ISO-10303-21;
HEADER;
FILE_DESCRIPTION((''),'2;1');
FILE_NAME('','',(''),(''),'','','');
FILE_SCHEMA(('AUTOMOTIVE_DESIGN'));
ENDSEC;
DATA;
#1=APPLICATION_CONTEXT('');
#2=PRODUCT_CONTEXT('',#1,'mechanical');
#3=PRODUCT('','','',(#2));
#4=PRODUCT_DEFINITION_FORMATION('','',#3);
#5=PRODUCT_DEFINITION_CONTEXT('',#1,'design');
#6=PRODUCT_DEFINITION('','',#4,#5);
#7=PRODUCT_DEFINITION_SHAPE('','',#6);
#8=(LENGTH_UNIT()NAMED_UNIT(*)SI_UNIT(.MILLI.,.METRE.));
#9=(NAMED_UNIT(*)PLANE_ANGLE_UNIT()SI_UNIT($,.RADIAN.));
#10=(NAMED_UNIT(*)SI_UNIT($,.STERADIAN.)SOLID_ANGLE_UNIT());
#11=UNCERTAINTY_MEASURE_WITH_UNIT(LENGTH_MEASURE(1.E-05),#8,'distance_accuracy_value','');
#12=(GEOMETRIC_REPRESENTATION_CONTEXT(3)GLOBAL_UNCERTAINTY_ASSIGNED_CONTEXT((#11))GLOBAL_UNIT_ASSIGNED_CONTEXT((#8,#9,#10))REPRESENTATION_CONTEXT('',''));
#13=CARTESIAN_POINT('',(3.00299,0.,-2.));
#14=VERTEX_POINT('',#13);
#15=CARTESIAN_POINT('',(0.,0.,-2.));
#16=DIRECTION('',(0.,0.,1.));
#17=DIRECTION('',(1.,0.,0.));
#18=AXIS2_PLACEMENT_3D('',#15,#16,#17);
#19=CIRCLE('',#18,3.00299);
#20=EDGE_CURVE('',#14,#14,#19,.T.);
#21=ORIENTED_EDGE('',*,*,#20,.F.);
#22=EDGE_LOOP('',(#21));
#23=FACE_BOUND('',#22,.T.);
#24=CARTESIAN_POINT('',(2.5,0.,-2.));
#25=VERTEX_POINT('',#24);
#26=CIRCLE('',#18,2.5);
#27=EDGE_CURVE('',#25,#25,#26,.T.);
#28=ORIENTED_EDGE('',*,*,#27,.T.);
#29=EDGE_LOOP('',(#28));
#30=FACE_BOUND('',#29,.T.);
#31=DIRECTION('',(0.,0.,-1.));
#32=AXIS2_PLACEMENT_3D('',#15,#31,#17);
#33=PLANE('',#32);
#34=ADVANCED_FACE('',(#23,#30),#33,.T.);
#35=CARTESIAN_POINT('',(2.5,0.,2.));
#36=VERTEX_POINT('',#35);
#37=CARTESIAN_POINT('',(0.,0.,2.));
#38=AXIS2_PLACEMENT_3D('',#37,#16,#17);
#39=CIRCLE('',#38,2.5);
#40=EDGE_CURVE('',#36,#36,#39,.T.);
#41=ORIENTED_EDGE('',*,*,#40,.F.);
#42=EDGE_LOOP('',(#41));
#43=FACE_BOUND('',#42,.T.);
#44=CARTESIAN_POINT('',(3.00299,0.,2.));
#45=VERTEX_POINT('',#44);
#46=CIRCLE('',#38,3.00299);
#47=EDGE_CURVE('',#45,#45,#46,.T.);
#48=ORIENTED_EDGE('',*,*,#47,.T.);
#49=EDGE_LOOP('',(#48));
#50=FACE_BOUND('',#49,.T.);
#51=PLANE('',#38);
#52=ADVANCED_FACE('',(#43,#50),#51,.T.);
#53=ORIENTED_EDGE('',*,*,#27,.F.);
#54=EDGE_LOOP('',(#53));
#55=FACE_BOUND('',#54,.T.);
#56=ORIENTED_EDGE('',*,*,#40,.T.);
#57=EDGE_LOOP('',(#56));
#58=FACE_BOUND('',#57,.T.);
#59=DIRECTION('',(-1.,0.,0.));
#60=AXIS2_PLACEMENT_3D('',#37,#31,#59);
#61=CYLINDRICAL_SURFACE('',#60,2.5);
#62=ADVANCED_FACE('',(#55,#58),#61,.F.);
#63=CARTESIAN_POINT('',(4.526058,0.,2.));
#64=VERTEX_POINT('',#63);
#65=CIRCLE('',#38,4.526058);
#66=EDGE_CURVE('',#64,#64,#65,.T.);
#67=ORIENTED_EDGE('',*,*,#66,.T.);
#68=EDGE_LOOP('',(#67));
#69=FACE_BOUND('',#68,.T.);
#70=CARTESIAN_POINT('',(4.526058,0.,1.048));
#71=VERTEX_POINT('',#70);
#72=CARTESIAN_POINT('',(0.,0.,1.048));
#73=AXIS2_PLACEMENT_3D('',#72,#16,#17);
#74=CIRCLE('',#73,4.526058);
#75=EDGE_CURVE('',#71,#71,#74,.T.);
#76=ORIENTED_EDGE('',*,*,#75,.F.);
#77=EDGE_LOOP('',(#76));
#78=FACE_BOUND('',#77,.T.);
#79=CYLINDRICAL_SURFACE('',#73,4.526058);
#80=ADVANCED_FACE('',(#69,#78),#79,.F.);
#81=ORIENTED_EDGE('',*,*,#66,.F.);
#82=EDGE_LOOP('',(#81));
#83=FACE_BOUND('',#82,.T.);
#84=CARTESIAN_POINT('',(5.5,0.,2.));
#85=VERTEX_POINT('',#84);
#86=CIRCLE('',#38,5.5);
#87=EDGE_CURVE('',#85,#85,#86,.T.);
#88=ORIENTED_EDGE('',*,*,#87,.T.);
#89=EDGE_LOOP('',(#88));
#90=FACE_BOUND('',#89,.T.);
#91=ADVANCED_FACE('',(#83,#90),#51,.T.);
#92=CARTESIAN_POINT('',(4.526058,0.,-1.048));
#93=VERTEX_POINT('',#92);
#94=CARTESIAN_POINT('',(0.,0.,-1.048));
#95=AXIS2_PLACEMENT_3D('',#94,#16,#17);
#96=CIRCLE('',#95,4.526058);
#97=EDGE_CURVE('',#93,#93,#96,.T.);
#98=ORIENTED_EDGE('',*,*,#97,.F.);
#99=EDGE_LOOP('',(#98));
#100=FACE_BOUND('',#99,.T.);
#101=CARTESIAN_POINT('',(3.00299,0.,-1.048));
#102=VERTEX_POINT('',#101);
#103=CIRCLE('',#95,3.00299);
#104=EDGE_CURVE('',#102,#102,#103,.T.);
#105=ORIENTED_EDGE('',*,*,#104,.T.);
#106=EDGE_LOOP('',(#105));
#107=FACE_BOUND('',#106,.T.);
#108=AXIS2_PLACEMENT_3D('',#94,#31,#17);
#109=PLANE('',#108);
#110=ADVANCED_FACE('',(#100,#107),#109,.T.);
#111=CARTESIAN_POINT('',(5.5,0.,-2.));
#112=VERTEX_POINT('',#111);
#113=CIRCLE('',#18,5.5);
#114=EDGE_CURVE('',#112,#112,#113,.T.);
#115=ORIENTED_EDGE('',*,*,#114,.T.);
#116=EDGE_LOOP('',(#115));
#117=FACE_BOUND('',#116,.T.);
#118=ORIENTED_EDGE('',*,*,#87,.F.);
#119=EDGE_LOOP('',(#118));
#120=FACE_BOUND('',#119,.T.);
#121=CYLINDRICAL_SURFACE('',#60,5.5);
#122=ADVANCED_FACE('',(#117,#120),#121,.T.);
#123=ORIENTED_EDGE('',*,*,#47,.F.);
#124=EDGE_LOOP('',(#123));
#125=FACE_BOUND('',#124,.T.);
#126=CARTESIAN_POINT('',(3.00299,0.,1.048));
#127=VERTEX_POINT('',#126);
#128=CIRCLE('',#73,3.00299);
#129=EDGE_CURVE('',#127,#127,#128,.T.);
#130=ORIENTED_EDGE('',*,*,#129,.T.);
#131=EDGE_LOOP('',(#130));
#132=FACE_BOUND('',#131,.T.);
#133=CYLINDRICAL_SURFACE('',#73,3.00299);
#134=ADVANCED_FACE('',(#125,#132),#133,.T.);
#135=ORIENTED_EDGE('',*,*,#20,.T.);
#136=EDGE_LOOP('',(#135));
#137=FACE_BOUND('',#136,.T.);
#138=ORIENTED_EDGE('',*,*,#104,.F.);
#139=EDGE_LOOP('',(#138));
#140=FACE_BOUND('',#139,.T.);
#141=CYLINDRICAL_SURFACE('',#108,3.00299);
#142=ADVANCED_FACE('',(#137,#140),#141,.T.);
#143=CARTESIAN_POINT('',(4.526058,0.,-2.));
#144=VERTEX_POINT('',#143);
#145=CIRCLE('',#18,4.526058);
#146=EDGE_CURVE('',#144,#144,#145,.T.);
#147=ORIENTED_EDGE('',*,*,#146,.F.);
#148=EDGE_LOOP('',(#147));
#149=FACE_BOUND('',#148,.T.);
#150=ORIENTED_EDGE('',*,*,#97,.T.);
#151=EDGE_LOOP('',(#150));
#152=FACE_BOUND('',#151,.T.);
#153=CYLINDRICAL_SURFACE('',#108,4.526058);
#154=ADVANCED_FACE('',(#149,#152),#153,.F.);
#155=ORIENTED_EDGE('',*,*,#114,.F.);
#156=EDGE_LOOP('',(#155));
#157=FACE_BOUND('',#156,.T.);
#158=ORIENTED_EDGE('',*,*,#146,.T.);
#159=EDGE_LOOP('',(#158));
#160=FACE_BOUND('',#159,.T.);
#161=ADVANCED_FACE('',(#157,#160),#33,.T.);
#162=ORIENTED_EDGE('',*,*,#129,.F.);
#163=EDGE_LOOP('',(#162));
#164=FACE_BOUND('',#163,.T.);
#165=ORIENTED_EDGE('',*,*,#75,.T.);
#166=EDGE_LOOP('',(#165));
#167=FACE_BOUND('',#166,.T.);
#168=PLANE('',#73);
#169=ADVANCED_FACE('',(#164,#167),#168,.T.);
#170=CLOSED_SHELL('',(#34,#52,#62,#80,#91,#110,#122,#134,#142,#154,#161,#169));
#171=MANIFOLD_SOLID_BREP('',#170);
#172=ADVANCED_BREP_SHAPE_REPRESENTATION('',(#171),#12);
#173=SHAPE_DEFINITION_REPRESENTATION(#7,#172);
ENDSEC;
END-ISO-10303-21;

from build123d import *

# Parameters (mm, degrees)
SKETCH1_R           = 5.5
SKETCH1_R_2         = 2.5
BOSS_EXTRUDE1_DEPTH = 2
SKETCH2_R           = 4.526057725
SKETCH2_R_2         = 3.002990226
CUT_EXTRUDE1_DEPTH  = 0.952


with BuildPart() as part:
    # Sketch1 → Boss-Extrude1 (new body)
    with BuildSketch(Plane.XY):
        Circle(SKETCH1_R)
        Circle(SKETCH1_R_2, mode=Mode.SUBTRACT)
    extrude(amount=BOSS_EXTRUDE1_DEPTH)

    # Sketch2 → Cut-Extrude1 (cut)
    with BuildSketch(Plane.XY.offset(2)):
        Circle(SKETCH2_R)
        Circle(SKETCH2_R_2, mode=Mode.SUBTRACT)
    extrude(amount=-CUT_EXTRUDE1_DEPTH, mode=Mode.SUBTRACT)

    # Mirror1: part across plane


with BuildPart() as part_1:
    add(part.part)
    add(part.part.mirror(Plane.XY))


solid = part_1.part
